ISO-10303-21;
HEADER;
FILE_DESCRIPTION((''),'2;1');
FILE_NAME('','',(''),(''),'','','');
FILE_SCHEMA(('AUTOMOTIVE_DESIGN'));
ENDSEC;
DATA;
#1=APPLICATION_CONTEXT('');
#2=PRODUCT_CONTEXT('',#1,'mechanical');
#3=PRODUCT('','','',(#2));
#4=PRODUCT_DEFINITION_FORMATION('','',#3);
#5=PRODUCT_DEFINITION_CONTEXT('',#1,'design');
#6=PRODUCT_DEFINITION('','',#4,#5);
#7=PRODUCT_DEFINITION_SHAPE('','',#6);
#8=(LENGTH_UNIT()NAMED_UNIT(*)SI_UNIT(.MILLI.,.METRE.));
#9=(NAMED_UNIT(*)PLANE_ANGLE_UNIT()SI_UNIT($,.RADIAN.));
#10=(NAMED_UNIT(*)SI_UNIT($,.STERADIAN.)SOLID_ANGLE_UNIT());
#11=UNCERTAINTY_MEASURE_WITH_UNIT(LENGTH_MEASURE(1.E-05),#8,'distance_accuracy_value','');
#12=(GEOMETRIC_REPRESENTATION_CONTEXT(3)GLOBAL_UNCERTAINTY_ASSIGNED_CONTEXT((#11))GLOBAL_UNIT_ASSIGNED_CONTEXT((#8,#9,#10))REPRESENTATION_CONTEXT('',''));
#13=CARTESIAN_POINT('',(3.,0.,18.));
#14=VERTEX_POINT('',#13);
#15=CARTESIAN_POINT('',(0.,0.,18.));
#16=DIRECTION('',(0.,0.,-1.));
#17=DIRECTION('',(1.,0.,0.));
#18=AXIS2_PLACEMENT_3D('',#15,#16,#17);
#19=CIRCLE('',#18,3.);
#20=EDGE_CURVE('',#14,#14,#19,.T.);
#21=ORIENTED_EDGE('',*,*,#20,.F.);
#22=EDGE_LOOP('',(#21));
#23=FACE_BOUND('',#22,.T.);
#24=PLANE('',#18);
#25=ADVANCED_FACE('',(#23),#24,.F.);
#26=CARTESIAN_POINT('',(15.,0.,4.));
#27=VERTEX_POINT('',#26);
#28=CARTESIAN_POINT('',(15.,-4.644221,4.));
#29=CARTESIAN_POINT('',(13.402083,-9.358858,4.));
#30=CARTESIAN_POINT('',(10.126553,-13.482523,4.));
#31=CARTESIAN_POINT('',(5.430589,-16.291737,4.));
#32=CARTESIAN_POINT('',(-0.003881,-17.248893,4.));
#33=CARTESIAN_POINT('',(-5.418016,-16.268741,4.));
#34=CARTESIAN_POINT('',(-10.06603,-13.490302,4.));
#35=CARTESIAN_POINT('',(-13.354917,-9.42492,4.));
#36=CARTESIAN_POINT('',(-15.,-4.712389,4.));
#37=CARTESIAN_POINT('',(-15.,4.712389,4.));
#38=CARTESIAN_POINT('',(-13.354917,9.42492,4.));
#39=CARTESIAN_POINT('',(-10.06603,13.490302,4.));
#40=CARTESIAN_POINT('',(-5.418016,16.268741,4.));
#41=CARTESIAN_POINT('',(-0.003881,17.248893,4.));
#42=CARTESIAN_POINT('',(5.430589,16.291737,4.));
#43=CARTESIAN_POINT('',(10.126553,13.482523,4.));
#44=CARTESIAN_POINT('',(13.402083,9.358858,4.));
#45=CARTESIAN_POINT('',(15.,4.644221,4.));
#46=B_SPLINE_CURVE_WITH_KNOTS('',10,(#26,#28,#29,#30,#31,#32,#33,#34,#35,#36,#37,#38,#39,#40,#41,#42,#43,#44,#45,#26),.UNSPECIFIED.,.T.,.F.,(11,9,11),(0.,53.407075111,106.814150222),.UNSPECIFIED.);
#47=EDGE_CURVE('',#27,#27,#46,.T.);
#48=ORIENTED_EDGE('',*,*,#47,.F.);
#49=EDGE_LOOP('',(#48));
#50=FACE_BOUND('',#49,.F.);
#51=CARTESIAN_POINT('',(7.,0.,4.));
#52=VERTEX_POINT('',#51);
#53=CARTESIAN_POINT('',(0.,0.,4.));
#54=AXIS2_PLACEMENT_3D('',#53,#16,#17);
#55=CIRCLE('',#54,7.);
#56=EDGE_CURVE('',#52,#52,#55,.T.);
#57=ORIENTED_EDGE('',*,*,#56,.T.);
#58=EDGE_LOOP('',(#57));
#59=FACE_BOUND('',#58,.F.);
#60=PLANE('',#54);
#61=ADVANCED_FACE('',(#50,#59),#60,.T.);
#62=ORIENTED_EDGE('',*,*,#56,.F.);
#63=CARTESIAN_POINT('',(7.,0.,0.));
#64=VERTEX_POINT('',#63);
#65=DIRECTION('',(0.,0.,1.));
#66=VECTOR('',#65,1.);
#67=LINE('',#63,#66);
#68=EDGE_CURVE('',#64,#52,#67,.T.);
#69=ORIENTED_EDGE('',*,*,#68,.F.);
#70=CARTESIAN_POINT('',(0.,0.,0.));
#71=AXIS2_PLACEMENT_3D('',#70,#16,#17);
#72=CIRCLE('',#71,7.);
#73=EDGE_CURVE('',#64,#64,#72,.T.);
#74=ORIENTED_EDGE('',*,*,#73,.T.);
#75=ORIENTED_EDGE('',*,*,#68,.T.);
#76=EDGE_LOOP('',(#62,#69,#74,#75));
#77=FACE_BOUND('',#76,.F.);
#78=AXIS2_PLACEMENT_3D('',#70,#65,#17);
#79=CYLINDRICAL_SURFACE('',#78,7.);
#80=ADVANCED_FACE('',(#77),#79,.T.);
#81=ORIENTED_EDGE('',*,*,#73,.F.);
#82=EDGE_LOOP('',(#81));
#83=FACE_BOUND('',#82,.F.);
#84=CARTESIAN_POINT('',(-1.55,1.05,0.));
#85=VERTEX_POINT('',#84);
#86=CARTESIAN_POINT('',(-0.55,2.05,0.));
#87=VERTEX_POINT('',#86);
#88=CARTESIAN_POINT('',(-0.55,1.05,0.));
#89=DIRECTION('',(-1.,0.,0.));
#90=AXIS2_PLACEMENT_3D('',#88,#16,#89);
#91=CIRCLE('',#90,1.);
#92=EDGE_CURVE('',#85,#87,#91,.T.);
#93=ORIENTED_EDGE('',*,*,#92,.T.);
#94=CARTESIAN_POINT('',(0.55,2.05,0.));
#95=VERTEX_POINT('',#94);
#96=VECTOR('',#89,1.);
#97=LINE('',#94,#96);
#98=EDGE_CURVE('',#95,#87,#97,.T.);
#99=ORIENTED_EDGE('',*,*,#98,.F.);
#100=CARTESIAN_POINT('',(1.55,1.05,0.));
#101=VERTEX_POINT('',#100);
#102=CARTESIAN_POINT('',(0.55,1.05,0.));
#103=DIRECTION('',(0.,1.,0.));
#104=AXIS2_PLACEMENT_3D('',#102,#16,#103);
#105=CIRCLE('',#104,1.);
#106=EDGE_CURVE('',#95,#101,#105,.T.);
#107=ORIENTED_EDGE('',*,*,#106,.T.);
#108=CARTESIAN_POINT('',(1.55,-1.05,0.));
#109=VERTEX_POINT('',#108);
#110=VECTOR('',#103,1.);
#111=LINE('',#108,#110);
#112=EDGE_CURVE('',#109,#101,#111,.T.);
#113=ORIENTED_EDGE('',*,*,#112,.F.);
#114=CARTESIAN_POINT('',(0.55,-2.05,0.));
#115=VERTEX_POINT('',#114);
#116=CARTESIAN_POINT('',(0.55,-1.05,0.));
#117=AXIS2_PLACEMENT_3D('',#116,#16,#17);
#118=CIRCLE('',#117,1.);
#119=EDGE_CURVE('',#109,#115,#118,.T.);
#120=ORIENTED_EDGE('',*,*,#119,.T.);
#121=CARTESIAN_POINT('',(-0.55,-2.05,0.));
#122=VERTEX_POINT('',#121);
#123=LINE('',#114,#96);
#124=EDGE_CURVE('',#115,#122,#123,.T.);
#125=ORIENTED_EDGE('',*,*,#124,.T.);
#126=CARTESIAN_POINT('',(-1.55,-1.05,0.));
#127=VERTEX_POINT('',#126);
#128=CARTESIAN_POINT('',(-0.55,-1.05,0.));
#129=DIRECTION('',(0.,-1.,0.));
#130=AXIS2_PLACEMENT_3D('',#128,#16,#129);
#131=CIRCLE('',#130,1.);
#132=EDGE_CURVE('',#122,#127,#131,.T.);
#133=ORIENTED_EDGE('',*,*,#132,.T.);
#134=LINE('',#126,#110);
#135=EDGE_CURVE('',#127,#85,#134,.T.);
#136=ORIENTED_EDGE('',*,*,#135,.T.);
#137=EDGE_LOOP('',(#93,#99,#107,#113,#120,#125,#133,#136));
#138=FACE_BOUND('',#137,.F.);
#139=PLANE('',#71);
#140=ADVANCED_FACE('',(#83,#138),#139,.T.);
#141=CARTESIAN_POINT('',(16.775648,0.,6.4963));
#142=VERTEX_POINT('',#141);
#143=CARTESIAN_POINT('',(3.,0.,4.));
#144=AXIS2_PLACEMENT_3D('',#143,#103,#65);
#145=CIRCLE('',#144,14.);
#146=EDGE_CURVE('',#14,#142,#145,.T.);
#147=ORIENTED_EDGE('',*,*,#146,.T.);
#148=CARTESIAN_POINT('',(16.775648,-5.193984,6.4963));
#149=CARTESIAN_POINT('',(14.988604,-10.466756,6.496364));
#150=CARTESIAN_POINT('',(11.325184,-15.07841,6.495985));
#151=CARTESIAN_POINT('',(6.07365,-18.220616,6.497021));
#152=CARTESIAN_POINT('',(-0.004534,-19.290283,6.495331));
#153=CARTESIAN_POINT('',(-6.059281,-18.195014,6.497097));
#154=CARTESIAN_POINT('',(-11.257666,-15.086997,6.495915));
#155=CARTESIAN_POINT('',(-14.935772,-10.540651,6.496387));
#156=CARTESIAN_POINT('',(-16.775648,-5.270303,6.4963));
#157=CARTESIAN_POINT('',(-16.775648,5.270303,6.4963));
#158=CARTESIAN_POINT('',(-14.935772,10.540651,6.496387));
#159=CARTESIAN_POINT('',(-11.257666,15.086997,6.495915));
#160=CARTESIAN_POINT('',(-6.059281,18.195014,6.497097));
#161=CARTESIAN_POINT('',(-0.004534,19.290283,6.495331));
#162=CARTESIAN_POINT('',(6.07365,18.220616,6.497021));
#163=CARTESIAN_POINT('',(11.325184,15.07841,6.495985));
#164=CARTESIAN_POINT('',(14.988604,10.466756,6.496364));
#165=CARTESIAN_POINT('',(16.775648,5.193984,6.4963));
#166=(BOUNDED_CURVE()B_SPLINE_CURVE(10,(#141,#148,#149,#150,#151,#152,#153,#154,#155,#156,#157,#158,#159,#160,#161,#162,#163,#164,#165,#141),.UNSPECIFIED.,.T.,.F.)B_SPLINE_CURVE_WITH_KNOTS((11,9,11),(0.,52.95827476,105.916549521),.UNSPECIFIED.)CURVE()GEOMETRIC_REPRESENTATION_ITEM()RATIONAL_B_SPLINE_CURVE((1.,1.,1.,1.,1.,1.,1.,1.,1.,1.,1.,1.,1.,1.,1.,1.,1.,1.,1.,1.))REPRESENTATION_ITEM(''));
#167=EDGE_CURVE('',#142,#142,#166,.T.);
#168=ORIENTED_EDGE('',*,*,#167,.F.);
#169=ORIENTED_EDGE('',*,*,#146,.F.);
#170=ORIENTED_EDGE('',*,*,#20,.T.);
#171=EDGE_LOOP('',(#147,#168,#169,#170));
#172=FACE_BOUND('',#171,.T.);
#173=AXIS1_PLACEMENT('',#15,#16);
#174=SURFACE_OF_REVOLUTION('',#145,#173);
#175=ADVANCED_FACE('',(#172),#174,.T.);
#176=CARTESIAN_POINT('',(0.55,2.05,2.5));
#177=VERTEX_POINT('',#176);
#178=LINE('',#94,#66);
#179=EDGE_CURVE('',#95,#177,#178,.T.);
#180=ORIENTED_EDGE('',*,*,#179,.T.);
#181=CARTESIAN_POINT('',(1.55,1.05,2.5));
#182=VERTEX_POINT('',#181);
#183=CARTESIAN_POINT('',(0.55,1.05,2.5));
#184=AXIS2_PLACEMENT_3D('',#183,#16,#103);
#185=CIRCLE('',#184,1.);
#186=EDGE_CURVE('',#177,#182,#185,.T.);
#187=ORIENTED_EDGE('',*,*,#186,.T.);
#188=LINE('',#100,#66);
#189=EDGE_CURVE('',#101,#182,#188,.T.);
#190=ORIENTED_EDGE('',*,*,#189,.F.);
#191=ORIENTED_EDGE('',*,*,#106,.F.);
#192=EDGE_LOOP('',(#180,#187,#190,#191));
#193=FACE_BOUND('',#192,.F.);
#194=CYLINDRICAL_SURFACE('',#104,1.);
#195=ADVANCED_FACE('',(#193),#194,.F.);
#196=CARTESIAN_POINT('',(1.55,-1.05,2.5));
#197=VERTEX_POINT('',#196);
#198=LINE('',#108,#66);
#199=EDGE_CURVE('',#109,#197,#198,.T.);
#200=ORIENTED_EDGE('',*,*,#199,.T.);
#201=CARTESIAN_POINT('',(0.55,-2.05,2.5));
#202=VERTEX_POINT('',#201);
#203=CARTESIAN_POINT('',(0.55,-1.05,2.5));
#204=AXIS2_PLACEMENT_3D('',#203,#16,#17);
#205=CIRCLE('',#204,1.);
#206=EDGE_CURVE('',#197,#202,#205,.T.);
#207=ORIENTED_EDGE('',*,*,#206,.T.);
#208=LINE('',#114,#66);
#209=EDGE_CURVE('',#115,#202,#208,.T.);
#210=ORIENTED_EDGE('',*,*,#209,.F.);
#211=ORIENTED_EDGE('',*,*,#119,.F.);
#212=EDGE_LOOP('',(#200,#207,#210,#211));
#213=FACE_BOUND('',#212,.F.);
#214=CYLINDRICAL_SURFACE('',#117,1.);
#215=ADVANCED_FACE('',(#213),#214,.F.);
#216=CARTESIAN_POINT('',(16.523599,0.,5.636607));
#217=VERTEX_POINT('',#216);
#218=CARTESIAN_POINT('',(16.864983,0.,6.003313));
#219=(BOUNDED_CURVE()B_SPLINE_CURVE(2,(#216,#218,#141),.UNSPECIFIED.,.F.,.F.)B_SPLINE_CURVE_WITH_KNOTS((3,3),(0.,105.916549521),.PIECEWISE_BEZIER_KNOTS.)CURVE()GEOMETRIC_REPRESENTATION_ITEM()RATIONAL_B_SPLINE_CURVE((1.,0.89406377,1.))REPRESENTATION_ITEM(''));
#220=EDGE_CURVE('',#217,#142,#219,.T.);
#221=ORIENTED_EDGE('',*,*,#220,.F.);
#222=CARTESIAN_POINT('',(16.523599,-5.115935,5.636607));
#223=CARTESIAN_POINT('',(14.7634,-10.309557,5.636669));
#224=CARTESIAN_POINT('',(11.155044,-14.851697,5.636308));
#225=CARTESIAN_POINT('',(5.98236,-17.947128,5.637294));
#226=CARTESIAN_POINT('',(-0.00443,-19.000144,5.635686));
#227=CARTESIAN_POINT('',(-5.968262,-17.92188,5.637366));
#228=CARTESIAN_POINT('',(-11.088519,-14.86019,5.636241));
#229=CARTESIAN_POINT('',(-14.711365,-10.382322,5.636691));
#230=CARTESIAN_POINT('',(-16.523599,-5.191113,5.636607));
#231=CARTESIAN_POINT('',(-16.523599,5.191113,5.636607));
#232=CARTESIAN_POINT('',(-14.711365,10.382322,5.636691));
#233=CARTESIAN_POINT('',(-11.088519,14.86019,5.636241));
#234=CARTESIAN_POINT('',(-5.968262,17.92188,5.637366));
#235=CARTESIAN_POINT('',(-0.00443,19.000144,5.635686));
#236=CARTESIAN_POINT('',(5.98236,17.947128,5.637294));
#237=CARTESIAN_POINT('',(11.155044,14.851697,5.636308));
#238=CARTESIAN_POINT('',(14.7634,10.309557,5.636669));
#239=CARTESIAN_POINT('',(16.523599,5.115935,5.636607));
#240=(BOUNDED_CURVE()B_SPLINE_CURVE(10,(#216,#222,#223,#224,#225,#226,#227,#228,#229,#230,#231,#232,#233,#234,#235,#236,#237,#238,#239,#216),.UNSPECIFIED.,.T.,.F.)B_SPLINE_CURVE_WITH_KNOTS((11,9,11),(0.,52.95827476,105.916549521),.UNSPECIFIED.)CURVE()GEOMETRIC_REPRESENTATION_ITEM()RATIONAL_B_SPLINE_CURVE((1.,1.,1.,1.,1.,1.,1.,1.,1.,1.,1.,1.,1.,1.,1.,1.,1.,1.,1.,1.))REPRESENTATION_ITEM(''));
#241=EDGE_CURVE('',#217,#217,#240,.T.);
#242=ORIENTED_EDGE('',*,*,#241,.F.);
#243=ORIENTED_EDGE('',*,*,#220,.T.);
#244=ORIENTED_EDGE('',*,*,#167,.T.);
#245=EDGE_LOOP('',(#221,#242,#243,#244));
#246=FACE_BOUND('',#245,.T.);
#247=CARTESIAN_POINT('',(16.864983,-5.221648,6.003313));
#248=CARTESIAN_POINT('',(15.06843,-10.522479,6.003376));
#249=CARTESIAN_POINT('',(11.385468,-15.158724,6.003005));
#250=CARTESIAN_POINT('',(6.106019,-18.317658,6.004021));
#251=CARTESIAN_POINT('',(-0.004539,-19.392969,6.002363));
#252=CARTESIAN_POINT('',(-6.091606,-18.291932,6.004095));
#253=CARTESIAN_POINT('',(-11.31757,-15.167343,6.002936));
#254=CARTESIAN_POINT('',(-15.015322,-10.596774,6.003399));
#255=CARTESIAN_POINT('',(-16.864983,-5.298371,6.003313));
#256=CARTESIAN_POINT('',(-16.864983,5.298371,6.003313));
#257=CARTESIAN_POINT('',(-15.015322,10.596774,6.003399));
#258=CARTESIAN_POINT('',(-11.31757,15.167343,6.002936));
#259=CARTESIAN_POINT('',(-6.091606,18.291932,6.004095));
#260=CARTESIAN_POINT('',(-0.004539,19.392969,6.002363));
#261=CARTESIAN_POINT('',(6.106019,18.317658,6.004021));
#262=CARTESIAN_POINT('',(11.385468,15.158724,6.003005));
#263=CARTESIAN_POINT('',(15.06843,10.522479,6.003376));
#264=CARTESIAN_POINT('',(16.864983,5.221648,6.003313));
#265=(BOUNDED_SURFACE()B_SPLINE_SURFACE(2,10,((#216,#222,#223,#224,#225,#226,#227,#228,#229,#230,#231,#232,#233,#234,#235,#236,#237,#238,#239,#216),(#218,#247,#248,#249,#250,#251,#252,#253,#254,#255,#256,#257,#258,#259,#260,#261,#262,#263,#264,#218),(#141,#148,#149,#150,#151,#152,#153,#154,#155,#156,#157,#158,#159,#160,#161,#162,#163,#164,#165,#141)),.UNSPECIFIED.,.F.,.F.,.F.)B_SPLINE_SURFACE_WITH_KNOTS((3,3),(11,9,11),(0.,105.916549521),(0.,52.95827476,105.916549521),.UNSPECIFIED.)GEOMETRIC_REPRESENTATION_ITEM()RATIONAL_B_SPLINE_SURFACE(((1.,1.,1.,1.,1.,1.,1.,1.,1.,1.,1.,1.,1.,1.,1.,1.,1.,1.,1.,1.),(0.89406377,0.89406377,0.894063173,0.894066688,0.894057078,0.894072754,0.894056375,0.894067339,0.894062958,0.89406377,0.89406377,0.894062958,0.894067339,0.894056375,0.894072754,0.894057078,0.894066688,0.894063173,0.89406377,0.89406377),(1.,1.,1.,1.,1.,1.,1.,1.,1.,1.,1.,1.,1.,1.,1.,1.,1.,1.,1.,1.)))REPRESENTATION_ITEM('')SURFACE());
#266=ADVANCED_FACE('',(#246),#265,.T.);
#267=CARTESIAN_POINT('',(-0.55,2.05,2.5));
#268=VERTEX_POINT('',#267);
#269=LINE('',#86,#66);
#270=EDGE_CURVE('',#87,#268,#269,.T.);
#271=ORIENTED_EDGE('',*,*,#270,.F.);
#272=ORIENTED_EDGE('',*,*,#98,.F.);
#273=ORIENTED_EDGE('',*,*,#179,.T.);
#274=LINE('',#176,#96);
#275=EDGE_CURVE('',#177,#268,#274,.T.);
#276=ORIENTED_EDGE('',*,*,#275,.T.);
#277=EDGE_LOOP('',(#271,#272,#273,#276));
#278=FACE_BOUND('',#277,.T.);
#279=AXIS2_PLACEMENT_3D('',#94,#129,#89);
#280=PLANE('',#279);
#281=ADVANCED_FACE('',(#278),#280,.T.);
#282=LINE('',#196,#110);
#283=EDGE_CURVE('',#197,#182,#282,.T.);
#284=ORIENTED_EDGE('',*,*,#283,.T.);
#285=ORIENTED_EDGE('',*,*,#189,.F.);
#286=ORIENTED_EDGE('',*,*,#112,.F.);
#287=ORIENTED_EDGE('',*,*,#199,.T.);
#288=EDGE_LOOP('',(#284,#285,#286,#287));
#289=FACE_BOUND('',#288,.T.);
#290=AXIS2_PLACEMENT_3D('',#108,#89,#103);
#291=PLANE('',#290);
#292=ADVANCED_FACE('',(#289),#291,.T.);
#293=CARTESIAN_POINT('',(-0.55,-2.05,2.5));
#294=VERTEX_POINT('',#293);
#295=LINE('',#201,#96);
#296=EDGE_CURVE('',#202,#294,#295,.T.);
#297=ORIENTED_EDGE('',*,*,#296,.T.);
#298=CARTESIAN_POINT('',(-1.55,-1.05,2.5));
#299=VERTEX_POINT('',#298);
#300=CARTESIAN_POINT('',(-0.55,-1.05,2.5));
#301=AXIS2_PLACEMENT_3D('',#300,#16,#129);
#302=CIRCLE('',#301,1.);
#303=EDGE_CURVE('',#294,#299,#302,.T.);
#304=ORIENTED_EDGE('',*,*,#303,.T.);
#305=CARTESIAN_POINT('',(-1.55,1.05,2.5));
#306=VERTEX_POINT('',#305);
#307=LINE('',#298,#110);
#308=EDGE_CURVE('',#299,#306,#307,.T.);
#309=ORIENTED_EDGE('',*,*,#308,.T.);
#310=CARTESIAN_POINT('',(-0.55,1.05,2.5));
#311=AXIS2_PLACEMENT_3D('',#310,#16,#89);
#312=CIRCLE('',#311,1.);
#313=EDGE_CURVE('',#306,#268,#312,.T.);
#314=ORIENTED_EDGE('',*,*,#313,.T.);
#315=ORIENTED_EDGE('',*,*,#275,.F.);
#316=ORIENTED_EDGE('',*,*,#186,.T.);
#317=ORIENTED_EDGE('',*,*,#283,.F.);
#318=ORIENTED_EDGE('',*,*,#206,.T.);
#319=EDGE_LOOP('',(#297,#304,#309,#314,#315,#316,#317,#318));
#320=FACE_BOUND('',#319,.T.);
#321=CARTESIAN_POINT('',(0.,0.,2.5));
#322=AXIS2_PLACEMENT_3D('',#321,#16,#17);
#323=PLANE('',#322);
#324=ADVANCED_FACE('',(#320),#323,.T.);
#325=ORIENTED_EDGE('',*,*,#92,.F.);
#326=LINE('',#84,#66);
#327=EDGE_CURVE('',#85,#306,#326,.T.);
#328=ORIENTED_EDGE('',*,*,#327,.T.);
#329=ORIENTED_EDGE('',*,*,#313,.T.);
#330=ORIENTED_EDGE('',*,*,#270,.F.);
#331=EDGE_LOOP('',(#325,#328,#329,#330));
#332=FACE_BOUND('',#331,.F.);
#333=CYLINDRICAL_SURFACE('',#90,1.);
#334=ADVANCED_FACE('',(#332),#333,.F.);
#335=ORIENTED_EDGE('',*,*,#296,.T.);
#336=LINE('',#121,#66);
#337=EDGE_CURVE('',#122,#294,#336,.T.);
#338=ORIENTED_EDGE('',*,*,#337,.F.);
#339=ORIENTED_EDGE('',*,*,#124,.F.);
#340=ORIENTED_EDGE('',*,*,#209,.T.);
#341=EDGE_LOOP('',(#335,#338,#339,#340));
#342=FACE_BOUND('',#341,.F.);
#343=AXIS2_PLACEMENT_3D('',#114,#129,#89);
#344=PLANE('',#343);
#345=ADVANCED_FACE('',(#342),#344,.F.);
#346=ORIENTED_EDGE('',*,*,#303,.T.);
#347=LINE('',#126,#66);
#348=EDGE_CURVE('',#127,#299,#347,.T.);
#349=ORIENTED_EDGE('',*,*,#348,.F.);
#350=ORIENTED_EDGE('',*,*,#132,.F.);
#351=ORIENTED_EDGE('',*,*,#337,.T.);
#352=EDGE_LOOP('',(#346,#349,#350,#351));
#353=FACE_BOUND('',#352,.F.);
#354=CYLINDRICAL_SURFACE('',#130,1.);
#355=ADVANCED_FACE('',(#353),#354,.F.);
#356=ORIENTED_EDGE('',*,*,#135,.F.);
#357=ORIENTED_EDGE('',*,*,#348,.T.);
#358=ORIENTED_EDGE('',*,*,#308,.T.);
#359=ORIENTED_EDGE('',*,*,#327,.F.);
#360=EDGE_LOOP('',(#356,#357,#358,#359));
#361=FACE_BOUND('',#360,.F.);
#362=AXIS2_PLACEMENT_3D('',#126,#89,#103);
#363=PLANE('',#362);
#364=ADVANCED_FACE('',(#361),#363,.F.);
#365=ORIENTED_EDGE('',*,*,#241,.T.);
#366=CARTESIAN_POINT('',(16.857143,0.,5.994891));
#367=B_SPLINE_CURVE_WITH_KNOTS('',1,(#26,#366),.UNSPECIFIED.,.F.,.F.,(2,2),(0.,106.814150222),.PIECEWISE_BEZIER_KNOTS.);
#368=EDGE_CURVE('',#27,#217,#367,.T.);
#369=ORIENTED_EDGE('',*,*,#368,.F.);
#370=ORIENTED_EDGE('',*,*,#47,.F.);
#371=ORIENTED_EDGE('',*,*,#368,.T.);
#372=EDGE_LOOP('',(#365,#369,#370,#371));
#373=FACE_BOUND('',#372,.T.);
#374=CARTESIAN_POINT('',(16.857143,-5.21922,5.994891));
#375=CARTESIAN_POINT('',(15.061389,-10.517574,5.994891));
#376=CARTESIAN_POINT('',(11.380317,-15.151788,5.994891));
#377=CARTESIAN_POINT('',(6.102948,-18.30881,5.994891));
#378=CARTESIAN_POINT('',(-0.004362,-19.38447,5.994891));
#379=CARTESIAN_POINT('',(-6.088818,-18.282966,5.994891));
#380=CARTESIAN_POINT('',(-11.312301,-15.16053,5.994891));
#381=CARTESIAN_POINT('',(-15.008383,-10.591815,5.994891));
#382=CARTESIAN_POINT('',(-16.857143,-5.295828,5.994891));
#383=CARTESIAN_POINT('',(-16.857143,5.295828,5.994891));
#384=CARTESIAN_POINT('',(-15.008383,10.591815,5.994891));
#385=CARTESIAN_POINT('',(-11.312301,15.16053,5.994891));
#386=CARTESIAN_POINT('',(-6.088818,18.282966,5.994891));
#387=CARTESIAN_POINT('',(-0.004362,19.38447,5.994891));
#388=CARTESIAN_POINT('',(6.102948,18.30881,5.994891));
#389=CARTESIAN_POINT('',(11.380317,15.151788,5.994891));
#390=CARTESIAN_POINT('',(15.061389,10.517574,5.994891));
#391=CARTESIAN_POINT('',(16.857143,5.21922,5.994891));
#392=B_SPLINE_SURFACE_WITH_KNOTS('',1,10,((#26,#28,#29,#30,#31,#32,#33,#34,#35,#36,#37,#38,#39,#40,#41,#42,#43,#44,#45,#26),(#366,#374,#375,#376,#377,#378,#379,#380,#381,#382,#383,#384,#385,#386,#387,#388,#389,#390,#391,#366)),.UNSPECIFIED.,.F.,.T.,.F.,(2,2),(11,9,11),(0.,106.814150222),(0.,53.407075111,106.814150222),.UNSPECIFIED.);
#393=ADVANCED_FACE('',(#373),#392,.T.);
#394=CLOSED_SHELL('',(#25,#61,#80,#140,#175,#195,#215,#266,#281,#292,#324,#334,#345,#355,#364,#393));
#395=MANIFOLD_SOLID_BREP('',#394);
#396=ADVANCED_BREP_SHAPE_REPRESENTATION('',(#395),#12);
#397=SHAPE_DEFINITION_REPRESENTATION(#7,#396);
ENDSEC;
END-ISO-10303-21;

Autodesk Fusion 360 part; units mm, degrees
sketch "Sketch1" plane through (0, 0, 0) normal (0, 1, 0) x (1, 0, 0)
  line L0 (0, 0) -> (7, 0)
  line L1 (7, 0) -> (7, -4)
  line L2 (7, -4) -> (17, -4)
  line L3 (0, -18) -> (0, 0)
  line L4 (0, -18) -> (3, -18)
  arc A0 (3, -18) -> (17, -4) centre (3, -4) ccw
  dimension "d1" = 7
  dimension "d2" = 4
  dimension "d3" = 10
  dimension "d4" = 3
  dimension "d5" = 18
revolve "Revolve1" add sketch "Sketch1" angle 360 about axis through (0, 0, 18) along (0, 0, -1)
sketch "Sketch2" plane through (0, 0, 0) normal (0, 0, -1) x (1, 0, 0)
  circle A0 centre (0, 0) radius 7
  line L0 (1.55, 1.05) -> (1.55, -1.05)
  line L1 (-1.55, 1.05) -> (-1.55, -1.05)
  line L2 (0.55, -2.05) -> (-0.55, -2.05)
  line L3 (0.55, 2.05) -> (-0.55, 2.05)
  arc A1 (0.55, -2.05) -> (1.55, -1.05) centre (0.55, -1.05) ccw
  arc A2 (-0.55, 2.05) -> (-1.55, 1.05) centre (-0.55, 1.05) ccw
  arc A3 (-1.55, -1.05) -> (-0.55, -2.05) centre (-0.55, -1.05) ccw
  arc A4 (1.55, 1.05) -> (0.55, 2.05) centre (0.55, 1.05) ccw
  point P0 (0, -2.05)
  point P1 (1.55, 2.05)
  point P2 (1.55, -2.05)
  point P3 (1.55, 0)
  point P4 (-1.55, 2.05)
  dimension "d11" = 4.1
  dimension "d12" = 3.1
  dimension "d13" = 1
extrude "Extrude1" cut sketch "Sketch2" against normal blind 2.5 contours L0 L1 L2 L3 A1 A2 A3 A4
chamfer "Chamfer1" distance 2 angle 45 1 edges at (-15.8496, -6.1475, 4)
fillet "Fillet1" radius 1 1 edges at (15.7164, -6.0958, 5.9949)
